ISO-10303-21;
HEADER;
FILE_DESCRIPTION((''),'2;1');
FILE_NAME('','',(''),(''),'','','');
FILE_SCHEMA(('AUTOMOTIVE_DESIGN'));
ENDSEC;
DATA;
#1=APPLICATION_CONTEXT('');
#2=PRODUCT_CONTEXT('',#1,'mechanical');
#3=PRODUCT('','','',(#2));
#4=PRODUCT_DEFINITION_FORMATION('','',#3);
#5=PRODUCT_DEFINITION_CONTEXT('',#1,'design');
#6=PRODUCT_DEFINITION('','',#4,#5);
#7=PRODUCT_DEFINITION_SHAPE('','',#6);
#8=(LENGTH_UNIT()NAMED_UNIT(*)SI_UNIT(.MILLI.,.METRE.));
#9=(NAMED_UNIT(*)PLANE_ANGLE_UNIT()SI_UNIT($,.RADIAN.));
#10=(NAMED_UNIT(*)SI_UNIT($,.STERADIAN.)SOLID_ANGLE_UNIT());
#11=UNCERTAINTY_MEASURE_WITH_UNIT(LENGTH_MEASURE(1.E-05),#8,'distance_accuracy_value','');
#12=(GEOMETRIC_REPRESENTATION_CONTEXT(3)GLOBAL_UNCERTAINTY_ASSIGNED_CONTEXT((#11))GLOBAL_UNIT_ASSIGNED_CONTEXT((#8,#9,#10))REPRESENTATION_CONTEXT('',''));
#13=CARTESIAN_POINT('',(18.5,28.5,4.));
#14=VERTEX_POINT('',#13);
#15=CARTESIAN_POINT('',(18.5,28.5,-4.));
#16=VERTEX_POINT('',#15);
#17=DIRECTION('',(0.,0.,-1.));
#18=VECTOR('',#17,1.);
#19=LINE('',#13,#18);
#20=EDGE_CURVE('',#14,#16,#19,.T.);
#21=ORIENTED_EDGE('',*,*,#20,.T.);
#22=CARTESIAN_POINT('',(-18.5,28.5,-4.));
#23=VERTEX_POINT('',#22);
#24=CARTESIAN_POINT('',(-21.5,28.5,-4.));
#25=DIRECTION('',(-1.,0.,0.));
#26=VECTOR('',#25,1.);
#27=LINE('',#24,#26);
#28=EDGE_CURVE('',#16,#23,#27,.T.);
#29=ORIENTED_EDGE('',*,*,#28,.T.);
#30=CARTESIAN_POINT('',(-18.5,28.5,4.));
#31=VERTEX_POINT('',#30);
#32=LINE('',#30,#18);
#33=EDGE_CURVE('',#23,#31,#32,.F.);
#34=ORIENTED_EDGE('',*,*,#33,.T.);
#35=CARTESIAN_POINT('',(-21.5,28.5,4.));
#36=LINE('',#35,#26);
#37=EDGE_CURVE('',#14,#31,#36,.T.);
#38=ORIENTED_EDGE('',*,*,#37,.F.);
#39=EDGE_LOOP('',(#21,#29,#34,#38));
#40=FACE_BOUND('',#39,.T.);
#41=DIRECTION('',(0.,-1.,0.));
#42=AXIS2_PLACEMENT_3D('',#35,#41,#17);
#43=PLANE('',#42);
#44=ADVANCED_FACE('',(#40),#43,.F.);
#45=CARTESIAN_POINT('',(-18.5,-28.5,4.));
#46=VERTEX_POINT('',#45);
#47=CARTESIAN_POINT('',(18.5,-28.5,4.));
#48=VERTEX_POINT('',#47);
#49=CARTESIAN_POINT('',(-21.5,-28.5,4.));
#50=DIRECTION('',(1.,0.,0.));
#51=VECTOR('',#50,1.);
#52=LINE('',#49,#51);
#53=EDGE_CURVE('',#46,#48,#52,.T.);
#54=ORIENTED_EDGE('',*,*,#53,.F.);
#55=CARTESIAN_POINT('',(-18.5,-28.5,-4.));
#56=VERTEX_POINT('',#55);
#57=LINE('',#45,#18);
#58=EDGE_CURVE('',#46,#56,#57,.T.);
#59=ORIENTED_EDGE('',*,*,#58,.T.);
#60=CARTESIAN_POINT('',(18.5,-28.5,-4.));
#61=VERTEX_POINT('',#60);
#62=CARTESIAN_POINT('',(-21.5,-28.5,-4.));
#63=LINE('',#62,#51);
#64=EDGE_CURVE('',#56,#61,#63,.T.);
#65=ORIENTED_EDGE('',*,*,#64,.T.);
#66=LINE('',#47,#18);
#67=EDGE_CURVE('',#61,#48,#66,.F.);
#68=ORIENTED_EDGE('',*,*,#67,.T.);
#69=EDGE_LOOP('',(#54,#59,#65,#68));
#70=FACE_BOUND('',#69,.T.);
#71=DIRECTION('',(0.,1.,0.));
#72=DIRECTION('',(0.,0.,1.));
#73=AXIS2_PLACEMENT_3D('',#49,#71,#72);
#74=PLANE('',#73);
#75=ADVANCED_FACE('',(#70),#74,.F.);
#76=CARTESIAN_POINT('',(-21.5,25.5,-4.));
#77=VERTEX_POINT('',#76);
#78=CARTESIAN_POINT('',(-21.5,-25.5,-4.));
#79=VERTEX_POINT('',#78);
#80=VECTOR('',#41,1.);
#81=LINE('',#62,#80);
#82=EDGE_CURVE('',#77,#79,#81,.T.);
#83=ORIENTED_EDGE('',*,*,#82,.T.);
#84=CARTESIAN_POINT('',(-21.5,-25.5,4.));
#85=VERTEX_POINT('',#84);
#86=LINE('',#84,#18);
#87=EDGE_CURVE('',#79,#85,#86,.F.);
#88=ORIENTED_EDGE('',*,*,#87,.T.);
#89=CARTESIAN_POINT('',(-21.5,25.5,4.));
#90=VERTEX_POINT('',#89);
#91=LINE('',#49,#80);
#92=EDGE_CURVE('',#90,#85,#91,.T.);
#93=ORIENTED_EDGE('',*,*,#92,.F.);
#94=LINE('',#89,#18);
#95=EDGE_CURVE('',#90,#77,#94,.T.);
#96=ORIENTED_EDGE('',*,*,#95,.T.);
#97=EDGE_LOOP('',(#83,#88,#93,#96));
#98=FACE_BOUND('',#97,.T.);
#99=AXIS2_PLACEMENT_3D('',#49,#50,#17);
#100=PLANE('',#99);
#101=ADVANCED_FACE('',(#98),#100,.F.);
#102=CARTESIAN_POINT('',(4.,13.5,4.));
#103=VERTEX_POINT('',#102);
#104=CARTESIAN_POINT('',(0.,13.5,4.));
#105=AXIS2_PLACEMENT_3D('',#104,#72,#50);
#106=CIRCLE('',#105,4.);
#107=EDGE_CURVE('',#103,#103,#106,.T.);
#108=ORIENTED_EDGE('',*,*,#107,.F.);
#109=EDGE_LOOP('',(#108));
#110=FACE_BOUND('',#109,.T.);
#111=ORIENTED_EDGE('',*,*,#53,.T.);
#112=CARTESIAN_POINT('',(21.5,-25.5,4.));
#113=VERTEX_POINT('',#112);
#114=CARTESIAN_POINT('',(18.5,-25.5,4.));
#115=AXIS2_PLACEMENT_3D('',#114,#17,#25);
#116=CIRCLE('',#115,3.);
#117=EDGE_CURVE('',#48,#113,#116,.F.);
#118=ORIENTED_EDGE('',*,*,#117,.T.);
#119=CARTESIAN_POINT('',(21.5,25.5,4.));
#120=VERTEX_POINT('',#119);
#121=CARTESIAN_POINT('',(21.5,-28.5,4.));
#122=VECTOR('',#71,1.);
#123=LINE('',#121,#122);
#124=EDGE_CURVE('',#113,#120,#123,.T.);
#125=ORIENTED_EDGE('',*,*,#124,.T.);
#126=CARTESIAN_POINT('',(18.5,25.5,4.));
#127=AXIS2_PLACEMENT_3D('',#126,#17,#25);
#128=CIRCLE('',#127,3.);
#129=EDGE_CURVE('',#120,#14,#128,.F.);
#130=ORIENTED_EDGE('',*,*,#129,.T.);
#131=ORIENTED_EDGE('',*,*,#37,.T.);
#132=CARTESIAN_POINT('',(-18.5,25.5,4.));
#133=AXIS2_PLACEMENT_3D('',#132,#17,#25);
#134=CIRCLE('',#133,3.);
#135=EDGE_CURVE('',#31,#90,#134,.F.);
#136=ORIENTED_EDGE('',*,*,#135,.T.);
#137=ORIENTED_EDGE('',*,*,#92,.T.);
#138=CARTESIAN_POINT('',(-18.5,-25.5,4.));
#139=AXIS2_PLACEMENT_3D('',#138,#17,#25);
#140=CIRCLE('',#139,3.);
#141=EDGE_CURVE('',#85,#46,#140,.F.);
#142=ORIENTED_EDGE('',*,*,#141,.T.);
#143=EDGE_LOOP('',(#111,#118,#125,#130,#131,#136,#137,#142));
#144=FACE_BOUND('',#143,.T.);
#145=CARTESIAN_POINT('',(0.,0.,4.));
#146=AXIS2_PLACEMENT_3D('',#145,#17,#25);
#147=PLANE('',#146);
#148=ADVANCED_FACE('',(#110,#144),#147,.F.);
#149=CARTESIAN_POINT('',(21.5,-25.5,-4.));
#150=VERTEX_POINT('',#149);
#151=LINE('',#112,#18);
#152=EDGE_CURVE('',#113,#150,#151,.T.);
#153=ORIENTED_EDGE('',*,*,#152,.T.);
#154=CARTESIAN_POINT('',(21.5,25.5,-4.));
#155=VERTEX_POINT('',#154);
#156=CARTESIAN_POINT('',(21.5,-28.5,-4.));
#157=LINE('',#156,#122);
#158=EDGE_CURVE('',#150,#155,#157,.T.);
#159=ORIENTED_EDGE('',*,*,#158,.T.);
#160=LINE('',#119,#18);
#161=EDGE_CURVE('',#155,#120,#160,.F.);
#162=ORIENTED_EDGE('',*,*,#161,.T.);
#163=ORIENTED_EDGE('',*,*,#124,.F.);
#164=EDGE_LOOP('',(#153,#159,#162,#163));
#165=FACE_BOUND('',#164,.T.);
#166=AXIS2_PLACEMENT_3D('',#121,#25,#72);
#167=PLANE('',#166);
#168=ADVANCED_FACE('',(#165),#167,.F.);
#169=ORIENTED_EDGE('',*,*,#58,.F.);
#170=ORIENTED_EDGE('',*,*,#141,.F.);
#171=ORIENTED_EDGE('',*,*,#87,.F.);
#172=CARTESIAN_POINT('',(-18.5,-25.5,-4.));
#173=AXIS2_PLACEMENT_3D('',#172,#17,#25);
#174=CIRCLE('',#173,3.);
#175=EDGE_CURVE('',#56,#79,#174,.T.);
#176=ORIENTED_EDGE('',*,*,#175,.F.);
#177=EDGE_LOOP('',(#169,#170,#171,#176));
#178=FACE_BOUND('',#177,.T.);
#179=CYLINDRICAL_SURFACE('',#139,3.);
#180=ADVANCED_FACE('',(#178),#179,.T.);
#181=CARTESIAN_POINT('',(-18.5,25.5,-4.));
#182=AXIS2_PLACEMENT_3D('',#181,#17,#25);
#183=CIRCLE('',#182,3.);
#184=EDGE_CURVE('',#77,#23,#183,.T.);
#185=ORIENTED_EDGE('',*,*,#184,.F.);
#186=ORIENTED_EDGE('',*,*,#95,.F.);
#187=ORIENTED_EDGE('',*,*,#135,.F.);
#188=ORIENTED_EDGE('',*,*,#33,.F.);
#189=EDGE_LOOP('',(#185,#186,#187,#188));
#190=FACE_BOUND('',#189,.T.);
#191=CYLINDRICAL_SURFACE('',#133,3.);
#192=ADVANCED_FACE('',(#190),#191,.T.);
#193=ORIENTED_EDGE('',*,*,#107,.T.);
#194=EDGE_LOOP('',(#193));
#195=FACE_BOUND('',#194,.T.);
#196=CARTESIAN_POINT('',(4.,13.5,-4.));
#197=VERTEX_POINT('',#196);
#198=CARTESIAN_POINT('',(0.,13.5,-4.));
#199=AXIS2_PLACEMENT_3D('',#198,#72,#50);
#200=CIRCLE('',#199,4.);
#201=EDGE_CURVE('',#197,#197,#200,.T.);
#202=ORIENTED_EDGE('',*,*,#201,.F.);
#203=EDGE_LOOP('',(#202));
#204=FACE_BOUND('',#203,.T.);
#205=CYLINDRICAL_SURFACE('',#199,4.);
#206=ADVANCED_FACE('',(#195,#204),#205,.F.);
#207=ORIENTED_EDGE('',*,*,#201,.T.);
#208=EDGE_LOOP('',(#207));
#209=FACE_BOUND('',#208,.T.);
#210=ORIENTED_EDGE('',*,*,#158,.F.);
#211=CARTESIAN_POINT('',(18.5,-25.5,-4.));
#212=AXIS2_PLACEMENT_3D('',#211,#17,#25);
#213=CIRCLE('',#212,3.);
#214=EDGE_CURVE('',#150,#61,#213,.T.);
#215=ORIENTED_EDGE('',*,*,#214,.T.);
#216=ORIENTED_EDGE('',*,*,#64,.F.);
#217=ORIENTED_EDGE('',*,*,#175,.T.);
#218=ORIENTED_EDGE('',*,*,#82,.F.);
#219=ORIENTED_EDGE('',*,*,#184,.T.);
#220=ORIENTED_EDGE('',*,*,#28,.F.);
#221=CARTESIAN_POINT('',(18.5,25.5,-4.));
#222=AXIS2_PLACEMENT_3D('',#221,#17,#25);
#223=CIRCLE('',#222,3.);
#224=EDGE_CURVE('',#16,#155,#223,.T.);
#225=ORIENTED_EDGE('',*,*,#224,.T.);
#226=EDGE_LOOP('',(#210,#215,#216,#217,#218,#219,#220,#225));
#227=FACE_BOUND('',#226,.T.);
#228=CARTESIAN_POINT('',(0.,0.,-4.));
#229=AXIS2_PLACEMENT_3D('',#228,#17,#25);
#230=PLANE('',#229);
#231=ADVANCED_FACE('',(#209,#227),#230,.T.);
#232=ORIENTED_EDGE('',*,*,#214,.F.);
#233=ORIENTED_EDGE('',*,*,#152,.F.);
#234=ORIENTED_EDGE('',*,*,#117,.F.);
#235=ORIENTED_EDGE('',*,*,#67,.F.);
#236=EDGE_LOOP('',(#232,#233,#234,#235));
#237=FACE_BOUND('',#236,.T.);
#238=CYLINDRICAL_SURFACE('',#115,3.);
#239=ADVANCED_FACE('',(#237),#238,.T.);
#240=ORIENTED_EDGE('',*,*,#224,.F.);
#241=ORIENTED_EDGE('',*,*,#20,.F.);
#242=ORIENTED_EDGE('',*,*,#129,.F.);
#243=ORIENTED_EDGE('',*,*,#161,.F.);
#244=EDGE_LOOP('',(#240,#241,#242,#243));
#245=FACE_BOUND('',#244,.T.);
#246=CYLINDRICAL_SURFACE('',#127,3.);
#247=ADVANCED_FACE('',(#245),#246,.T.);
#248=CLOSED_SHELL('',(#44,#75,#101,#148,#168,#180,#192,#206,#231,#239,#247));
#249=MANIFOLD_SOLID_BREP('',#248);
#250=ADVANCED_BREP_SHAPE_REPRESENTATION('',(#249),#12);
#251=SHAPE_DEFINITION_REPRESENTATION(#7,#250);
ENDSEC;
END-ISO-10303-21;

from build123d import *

# Parameters (mm, degrees)
SKETCH1_W           = 43
SKETCH1_H           = 57
BOSS_EXTRUDE1_DEPTH = 4
SKETCH2_R           = 4
CUT_EXTRUDE1_DEPTH  = 37.58551626
FILLET1_R           = 3


with BuildPart() as part:
    # Sketch1 → Boss-Extrude1 (new, symmetric)
    with BuildSketch(Plane.XY):
        Rectangle(SKETCH1_W, SKETCH1_H)
    extrude(amount=BOSS_EXTRUDE1_DEPTH, both=True)

    # Sketch2 → Cut-Extrude1 (cut, through all)
    with BuildSketch(Plane.XY.offset(4)):
        with Locations((0, 13.5)):
            Circle(SKETCH2_R)
    extrude(amount=-CUT_EXTRUDE1_DEPTH, mode=Mode.SUBTRACT)

    # Fillet1
    fillet1_edges = [part.edges().sort_by_distance(p)[0] for p in [
        (21.5, -28.5, 0),
        (-21.5, -28.5, 0),
        (-21.5, 28.5, 0),
        (21.5, 28.5, 0),
    ]]
    fillet(fillet1_edges, radius=FILLET1_R)


solid = part.part
